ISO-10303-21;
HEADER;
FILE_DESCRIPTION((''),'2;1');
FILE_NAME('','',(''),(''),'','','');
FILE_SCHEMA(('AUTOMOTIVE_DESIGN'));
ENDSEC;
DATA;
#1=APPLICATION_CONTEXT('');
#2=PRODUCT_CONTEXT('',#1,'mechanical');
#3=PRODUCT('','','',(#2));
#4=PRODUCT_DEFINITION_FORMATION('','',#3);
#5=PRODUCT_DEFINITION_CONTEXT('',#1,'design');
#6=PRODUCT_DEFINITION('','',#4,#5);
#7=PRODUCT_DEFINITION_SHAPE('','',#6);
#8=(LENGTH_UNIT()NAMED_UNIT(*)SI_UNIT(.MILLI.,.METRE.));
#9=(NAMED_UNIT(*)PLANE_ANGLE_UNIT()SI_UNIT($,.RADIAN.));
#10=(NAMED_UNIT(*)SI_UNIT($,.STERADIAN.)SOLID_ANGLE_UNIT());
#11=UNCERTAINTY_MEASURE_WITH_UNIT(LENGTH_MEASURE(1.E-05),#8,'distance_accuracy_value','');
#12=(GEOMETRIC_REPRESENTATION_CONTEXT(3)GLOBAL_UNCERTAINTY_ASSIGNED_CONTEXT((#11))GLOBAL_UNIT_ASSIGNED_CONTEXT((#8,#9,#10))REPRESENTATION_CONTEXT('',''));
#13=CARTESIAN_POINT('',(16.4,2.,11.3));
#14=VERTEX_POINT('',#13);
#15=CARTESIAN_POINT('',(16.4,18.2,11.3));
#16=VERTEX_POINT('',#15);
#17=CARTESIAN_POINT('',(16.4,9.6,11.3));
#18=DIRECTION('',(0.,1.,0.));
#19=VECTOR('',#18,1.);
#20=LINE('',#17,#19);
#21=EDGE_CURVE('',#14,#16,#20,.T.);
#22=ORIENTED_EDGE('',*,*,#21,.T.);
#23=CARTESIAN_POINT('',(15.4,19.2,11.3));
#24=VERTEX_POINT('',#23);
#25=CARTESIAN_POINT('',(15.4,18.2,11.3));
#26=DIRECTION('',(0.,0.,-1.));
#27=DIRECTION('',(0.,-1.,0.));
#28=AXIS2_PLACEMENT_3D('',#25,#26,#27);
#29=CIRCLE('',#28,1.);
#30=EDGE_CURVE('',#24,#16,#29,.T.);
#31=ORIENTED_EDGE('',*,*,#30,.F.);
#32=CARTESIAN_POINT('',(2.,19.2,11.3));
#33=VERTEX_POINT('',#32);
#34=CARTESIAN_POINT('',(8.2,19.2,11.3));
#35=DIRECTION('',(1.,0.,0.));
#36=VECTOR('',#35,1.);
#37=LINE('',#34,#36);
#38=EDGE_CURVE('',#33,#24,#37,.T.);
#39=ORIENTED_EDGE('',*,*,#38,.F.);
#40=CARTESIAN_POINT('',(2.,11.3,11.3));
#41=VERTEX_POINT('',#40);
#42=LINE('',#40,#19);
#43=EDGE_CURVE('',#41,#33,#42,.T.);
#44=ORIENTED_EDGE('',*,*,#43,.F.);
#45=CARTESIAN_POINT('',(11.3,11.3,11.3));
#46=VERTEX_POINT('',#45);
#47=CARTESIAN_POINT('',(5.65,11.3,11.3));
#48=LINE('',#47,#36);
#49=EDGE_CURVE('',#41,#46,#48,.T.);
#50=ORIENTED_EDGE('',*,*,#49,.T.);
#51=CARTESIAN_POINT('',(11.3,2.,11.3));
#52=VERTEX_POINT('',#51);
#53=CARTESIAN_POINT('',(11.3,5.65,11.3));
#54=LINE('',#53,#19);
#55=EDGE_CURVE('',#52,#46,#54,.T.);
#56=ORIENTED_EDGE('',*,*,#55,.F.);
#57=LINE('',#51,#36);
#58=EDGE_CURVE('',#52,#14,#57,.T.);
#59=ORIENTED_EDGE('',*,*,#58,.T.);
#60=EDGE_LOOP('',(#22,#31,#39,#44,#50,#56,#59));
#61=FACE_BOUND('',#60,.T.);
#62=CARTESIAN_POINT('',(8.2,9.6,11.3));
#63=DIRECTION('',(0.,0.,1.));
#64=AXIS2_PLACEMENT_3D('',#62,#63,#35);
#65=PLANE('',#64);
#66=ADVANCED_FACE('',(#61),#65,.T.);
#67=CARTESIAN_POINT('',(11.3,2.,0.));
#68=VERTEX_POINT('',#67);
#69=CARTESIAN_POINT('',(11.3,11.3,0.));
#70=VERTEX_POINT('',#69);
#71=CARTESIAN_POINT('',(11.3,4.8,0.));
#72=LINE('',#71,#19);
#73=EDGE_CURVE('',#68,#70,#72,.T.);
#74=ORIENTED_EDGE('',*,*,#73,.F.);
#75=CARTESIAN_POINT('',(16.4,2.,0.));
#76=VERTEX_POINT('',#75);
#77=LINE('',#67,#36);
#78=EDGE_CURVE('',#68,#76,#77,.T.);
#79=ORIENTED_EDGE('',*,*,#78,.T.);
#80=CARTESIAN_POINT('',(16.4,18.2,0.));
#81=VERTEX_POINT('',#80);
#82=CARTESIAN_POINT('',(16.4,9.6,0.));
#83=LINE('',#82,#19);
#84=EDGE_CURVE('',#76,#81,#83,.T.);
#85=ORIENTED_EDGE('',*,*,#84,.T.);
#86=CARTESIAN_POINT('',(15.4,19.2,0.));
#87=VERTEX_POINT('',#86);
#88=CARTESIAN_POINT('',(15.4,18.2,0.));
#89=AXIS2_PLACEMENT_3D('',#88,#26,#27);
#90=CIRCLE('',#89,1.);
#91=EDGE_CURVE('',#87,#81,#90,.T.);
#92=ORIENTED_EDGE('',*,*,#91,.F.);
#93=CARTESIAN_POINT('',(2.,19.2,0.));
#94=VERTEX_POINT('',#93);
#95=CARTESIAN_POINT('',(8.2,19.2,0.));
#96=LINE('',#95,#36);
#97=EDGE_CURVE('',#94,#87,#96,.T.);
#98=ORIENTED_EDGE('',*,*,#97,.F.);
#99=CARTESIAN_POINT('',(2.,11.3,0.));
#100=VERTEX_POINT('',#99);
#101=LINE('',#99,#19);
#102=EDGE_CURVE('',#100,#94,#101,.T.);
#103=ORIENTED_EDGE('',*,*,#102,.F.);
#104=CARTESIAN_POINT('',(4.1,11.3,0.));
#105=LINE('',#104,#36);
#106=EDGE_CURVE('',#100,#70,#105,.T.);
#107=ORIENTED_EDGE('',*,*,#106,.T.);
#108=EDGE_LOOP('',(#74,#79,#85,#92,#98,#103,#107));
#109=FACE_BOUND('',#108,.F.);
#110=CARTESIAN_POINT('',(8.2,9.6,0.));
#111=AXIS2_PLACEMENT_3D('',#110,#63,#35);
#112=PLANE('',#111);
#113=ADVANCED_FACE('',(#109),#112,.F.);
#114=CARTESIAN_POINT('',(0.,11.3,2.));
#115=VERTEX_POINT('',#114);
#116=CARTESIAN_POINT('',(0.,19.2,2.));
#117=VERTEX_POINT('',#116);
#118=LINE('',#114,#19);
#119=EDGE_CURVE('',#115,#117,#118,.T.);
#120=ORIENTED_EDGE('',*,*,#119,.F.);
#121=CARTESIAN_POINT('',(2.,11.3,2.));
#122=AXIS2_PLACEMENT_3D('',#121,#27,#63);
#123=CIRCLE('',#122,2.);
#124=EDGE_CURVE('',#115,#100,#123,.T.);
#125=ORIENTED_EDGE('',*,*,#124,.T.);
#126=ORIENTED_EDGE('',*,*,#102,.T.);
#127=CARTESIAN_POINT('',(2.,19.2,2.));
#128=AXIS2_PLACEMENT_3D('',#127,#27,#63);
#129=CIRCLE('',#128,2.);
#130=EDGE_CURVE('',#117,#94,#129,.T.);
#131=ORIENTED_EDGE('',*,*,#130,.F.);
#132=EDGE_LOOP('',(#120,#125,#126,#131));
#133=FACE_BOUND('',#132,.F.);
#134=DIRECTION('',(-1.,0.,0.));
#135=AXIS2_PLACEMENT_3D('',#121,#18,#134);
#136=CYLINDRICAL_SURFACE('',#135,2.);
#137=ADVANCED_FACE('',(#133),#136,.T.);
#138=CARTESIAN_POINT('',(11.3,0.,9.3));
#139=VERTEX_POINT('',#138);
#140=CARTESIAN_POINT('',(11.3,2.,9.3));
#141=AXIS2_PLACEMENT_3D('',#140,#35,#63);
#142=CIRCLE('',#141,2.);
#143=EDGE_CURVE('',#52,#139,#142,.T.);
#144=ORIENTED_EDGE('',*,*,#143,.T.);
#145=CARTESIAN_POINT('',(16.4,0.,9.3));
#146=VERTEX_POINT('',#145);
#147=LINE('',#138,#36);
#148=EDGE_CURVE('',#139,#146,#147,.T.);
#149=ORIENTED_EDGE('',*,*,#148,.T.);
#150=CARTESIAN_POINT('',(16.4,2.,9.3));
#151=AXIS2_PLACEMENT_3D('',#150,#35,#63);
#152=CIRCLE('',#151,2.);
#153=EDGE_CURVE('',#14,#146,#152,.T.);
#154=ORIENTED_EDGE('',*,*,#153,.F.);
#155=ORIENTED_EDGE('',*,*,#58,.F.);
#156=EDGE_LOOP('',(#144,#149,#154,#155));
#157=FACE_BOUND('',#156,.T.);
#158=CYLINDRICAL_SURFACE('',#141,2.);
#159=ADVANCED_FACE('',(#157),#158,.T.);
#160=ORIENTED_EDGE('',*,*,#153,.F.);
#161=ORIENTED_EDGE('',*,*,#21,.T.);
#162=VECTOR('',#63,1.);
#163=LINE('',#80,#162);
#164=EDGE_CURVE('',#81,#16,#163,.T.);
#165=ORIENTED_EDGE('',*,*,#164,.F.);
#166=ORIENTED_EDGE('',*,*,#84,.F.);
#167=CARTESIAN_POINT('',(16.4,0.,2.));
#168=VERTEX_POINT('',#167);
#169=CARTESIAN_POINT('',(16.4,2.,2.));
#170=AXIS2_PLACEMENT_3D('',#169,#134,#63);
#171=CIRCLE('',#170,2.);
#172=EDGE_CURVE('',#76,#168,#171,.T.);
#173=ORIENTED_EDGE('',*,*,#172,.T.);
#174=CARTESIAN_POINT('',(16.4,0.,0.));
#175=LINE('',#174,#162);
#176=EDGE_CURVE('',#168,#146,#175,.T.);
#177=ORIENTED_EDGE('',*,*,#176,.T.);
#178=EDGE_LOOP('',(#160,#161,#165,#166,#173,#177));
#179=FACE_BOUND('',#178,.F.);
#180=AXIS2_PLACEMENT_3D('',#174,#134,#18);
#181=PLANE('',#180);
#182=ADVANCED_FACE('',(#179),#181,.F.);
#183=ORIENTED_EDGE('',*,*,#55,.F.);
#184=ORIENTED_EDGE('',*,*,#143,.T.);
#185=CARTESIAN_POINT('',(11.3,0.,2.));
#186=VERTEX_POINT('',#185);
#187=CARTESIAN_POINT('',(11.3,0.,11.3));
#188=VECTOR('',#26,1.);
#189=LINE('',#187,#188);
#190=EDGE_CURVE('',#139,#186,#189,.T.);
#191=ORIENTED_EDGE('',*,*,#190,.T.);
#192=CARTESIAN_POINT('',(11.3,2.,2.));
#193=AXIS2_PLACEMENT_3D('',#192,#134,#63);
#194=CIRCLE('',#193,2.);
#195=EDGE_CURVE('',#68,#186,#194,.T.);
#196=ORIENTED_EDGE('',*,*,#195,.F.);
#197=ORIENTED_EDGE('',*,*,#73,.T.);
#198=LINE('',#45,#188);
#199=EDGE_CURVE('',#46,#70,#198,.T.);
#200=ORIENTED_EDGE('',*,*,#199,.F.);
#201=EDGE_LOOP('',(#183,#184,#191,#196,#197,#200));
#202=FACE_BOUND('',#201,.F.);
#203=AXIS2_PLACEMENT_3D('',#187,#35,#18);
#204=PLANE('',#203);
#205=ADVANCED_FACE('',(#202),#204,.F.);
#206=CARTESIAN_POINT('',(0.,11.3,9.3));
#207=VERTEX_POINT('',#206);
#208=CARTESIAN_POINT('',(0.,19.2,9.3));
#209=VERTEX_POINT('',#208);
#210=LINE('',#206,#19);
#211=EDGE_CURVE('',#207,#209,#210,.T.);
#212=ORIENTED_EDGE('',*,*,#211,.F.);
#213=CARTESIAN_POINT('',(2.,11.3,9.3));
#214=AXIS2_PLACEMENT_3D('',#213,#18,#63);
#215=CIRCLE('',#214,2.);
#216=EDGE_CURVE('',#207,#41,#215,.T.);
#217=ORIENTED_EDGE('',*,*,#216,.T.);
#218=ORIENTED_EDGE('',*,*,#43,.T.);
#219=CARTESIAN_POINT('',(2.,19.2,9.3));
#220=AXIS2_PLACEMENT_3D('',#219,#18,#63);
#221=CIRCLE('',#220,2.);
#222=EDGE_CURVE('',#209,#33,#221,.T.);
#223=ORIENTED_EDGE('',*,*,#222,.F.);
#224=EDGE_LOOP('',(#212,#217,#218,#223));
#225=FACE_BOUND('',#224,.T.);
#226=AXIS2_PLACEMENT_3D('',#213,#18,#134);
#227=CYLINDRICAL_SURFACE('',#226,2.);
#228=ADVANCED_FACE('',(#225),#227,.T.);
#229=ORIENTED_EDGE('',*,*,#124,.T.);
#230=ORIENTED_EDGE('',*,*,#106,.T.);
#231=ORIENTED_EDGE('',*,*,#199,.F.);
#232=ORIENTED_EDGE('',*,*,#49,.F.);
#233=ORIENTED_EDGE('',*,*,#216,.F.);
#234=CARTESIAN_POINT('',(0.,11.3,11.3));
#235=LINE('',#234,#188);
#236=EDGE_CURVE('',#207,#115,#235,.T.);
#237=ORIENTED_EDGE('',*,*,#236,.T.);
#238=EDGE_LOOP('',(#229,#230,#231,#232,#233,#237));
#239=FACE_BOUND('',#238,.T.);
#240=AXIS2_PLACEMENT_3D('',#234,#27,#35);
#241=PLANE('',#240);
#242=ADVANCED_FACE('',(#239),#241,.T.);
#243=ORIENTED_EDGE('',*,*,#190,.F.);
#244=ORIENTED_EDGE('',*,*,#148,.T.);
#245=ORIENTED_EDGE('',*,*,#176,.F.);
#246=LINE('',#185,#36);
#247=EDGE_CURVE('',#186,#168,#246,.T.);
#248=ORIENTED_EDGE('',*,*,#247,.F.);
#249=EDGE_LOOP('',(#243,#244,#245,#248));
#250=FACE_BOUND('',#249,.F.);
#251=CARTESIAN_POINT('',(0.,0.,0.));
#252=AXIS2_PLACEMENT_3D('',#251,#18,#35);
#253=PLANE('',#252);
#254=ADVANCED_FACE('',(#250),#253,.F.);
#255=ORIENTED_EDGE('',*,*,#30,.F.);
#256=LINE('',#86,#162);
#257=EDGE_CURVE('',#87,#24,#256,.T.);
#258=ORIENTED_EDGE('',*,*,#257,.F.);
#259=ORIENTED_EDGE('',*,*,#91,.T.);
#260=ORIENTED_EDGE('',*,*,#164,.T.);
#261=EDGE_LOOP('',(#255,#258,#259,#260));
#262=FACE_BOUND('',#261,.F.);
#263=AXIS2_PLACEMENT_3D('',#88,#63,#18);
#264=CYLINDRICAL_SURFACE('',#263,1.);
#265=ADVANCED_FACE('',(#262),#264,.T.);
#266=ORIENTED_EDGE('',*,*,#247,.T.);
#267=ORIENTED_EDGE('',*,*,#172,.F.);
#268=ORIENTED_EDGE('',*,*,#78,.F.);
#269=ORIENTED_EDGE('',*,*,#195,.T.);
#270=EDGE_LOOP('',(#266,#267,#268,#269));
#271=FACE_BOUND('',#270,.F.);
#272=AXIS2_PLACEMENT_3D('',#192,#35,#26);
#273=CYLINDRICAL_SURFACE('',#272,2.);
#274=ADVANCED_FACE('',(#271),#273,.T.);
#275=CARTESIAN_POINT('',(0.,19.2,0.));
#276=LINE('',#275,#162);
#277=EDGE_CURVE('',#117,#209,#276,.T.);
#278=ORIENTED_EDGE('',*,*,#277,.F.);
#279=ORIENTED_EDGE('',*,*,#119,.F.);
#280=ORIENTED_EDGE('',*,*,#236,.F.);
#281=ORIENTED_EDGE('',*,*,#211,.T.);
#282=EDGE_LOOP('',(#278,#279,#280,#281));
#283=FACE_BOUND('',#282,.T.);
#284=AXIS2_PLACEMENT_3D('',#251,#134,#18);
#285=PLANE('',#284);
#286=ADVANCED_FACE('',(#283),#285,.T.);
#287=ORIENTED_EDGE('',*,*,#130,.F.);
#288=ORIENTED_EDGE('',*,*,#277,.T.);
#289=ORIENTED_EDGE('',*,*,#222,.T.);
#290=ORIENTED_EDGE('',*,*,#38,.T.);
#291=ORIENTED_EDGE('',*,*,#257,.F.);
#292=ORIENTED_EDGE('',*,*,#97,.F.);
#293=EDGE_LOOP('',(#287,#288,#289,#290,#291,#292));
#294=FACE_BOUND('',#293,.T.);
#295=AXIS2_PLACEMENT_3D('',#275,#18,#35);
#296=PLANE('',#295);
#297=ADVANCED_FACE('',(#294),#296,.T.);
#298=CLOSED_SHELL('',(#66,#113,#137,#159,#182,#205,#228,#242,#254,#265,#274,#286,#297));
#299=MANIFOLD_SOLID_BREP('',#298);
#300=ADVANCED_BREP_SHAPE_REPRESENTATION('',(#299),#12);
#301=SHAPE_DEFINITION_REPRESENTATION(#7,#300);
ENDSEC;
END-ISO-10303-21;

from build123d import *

# Parameters (mm, degrees)
F0_W     = 16.4
F0_H     = 19.2
F1_DEPTH = 11.3
F2_W     = 11.3
F2_H     = 11.3
F3_DEPTH = 25
F4_R     = 2
F5_R     = 1


with BuildPart() as f1:
    # F0 (on Top) → F1 (new body)
    with BuildSketch(Plane.XY):
        with Locations((8.2, 9.6)):
            Rectangle(F0_W, F0_H)
    extrude(amount=F1_DEPTH)

    # F2 (on face) → F3 (cut)
    with BuildSketch(Plane.XY.offset(11.3)):
        with Locations((5.65, 5.65)):
            Rectangle(F2_W, F2_H)
    extrude(amount=-F3_DEPTH, mode=Mode.SUBTRACT)

    # F4
    f4_edges = [f1.edges().sort_by_distance(p)[0] for p in [
        (13.85, 0, 0),
        (0, 15.25, 0),
        (13.85, 0, 11.3),
        (0, 15.25, 11.3),
    ]]
    fillet(f4_edges, radius=F4_R)

    # F5
    f5_edges = [f1.edges().sort_by_distance(p)[0] for p in [
        (16.4, 19.2, 5.65),
    ]]
    fillet(f5_edges, radius=F5_R)


solid = f1.part
